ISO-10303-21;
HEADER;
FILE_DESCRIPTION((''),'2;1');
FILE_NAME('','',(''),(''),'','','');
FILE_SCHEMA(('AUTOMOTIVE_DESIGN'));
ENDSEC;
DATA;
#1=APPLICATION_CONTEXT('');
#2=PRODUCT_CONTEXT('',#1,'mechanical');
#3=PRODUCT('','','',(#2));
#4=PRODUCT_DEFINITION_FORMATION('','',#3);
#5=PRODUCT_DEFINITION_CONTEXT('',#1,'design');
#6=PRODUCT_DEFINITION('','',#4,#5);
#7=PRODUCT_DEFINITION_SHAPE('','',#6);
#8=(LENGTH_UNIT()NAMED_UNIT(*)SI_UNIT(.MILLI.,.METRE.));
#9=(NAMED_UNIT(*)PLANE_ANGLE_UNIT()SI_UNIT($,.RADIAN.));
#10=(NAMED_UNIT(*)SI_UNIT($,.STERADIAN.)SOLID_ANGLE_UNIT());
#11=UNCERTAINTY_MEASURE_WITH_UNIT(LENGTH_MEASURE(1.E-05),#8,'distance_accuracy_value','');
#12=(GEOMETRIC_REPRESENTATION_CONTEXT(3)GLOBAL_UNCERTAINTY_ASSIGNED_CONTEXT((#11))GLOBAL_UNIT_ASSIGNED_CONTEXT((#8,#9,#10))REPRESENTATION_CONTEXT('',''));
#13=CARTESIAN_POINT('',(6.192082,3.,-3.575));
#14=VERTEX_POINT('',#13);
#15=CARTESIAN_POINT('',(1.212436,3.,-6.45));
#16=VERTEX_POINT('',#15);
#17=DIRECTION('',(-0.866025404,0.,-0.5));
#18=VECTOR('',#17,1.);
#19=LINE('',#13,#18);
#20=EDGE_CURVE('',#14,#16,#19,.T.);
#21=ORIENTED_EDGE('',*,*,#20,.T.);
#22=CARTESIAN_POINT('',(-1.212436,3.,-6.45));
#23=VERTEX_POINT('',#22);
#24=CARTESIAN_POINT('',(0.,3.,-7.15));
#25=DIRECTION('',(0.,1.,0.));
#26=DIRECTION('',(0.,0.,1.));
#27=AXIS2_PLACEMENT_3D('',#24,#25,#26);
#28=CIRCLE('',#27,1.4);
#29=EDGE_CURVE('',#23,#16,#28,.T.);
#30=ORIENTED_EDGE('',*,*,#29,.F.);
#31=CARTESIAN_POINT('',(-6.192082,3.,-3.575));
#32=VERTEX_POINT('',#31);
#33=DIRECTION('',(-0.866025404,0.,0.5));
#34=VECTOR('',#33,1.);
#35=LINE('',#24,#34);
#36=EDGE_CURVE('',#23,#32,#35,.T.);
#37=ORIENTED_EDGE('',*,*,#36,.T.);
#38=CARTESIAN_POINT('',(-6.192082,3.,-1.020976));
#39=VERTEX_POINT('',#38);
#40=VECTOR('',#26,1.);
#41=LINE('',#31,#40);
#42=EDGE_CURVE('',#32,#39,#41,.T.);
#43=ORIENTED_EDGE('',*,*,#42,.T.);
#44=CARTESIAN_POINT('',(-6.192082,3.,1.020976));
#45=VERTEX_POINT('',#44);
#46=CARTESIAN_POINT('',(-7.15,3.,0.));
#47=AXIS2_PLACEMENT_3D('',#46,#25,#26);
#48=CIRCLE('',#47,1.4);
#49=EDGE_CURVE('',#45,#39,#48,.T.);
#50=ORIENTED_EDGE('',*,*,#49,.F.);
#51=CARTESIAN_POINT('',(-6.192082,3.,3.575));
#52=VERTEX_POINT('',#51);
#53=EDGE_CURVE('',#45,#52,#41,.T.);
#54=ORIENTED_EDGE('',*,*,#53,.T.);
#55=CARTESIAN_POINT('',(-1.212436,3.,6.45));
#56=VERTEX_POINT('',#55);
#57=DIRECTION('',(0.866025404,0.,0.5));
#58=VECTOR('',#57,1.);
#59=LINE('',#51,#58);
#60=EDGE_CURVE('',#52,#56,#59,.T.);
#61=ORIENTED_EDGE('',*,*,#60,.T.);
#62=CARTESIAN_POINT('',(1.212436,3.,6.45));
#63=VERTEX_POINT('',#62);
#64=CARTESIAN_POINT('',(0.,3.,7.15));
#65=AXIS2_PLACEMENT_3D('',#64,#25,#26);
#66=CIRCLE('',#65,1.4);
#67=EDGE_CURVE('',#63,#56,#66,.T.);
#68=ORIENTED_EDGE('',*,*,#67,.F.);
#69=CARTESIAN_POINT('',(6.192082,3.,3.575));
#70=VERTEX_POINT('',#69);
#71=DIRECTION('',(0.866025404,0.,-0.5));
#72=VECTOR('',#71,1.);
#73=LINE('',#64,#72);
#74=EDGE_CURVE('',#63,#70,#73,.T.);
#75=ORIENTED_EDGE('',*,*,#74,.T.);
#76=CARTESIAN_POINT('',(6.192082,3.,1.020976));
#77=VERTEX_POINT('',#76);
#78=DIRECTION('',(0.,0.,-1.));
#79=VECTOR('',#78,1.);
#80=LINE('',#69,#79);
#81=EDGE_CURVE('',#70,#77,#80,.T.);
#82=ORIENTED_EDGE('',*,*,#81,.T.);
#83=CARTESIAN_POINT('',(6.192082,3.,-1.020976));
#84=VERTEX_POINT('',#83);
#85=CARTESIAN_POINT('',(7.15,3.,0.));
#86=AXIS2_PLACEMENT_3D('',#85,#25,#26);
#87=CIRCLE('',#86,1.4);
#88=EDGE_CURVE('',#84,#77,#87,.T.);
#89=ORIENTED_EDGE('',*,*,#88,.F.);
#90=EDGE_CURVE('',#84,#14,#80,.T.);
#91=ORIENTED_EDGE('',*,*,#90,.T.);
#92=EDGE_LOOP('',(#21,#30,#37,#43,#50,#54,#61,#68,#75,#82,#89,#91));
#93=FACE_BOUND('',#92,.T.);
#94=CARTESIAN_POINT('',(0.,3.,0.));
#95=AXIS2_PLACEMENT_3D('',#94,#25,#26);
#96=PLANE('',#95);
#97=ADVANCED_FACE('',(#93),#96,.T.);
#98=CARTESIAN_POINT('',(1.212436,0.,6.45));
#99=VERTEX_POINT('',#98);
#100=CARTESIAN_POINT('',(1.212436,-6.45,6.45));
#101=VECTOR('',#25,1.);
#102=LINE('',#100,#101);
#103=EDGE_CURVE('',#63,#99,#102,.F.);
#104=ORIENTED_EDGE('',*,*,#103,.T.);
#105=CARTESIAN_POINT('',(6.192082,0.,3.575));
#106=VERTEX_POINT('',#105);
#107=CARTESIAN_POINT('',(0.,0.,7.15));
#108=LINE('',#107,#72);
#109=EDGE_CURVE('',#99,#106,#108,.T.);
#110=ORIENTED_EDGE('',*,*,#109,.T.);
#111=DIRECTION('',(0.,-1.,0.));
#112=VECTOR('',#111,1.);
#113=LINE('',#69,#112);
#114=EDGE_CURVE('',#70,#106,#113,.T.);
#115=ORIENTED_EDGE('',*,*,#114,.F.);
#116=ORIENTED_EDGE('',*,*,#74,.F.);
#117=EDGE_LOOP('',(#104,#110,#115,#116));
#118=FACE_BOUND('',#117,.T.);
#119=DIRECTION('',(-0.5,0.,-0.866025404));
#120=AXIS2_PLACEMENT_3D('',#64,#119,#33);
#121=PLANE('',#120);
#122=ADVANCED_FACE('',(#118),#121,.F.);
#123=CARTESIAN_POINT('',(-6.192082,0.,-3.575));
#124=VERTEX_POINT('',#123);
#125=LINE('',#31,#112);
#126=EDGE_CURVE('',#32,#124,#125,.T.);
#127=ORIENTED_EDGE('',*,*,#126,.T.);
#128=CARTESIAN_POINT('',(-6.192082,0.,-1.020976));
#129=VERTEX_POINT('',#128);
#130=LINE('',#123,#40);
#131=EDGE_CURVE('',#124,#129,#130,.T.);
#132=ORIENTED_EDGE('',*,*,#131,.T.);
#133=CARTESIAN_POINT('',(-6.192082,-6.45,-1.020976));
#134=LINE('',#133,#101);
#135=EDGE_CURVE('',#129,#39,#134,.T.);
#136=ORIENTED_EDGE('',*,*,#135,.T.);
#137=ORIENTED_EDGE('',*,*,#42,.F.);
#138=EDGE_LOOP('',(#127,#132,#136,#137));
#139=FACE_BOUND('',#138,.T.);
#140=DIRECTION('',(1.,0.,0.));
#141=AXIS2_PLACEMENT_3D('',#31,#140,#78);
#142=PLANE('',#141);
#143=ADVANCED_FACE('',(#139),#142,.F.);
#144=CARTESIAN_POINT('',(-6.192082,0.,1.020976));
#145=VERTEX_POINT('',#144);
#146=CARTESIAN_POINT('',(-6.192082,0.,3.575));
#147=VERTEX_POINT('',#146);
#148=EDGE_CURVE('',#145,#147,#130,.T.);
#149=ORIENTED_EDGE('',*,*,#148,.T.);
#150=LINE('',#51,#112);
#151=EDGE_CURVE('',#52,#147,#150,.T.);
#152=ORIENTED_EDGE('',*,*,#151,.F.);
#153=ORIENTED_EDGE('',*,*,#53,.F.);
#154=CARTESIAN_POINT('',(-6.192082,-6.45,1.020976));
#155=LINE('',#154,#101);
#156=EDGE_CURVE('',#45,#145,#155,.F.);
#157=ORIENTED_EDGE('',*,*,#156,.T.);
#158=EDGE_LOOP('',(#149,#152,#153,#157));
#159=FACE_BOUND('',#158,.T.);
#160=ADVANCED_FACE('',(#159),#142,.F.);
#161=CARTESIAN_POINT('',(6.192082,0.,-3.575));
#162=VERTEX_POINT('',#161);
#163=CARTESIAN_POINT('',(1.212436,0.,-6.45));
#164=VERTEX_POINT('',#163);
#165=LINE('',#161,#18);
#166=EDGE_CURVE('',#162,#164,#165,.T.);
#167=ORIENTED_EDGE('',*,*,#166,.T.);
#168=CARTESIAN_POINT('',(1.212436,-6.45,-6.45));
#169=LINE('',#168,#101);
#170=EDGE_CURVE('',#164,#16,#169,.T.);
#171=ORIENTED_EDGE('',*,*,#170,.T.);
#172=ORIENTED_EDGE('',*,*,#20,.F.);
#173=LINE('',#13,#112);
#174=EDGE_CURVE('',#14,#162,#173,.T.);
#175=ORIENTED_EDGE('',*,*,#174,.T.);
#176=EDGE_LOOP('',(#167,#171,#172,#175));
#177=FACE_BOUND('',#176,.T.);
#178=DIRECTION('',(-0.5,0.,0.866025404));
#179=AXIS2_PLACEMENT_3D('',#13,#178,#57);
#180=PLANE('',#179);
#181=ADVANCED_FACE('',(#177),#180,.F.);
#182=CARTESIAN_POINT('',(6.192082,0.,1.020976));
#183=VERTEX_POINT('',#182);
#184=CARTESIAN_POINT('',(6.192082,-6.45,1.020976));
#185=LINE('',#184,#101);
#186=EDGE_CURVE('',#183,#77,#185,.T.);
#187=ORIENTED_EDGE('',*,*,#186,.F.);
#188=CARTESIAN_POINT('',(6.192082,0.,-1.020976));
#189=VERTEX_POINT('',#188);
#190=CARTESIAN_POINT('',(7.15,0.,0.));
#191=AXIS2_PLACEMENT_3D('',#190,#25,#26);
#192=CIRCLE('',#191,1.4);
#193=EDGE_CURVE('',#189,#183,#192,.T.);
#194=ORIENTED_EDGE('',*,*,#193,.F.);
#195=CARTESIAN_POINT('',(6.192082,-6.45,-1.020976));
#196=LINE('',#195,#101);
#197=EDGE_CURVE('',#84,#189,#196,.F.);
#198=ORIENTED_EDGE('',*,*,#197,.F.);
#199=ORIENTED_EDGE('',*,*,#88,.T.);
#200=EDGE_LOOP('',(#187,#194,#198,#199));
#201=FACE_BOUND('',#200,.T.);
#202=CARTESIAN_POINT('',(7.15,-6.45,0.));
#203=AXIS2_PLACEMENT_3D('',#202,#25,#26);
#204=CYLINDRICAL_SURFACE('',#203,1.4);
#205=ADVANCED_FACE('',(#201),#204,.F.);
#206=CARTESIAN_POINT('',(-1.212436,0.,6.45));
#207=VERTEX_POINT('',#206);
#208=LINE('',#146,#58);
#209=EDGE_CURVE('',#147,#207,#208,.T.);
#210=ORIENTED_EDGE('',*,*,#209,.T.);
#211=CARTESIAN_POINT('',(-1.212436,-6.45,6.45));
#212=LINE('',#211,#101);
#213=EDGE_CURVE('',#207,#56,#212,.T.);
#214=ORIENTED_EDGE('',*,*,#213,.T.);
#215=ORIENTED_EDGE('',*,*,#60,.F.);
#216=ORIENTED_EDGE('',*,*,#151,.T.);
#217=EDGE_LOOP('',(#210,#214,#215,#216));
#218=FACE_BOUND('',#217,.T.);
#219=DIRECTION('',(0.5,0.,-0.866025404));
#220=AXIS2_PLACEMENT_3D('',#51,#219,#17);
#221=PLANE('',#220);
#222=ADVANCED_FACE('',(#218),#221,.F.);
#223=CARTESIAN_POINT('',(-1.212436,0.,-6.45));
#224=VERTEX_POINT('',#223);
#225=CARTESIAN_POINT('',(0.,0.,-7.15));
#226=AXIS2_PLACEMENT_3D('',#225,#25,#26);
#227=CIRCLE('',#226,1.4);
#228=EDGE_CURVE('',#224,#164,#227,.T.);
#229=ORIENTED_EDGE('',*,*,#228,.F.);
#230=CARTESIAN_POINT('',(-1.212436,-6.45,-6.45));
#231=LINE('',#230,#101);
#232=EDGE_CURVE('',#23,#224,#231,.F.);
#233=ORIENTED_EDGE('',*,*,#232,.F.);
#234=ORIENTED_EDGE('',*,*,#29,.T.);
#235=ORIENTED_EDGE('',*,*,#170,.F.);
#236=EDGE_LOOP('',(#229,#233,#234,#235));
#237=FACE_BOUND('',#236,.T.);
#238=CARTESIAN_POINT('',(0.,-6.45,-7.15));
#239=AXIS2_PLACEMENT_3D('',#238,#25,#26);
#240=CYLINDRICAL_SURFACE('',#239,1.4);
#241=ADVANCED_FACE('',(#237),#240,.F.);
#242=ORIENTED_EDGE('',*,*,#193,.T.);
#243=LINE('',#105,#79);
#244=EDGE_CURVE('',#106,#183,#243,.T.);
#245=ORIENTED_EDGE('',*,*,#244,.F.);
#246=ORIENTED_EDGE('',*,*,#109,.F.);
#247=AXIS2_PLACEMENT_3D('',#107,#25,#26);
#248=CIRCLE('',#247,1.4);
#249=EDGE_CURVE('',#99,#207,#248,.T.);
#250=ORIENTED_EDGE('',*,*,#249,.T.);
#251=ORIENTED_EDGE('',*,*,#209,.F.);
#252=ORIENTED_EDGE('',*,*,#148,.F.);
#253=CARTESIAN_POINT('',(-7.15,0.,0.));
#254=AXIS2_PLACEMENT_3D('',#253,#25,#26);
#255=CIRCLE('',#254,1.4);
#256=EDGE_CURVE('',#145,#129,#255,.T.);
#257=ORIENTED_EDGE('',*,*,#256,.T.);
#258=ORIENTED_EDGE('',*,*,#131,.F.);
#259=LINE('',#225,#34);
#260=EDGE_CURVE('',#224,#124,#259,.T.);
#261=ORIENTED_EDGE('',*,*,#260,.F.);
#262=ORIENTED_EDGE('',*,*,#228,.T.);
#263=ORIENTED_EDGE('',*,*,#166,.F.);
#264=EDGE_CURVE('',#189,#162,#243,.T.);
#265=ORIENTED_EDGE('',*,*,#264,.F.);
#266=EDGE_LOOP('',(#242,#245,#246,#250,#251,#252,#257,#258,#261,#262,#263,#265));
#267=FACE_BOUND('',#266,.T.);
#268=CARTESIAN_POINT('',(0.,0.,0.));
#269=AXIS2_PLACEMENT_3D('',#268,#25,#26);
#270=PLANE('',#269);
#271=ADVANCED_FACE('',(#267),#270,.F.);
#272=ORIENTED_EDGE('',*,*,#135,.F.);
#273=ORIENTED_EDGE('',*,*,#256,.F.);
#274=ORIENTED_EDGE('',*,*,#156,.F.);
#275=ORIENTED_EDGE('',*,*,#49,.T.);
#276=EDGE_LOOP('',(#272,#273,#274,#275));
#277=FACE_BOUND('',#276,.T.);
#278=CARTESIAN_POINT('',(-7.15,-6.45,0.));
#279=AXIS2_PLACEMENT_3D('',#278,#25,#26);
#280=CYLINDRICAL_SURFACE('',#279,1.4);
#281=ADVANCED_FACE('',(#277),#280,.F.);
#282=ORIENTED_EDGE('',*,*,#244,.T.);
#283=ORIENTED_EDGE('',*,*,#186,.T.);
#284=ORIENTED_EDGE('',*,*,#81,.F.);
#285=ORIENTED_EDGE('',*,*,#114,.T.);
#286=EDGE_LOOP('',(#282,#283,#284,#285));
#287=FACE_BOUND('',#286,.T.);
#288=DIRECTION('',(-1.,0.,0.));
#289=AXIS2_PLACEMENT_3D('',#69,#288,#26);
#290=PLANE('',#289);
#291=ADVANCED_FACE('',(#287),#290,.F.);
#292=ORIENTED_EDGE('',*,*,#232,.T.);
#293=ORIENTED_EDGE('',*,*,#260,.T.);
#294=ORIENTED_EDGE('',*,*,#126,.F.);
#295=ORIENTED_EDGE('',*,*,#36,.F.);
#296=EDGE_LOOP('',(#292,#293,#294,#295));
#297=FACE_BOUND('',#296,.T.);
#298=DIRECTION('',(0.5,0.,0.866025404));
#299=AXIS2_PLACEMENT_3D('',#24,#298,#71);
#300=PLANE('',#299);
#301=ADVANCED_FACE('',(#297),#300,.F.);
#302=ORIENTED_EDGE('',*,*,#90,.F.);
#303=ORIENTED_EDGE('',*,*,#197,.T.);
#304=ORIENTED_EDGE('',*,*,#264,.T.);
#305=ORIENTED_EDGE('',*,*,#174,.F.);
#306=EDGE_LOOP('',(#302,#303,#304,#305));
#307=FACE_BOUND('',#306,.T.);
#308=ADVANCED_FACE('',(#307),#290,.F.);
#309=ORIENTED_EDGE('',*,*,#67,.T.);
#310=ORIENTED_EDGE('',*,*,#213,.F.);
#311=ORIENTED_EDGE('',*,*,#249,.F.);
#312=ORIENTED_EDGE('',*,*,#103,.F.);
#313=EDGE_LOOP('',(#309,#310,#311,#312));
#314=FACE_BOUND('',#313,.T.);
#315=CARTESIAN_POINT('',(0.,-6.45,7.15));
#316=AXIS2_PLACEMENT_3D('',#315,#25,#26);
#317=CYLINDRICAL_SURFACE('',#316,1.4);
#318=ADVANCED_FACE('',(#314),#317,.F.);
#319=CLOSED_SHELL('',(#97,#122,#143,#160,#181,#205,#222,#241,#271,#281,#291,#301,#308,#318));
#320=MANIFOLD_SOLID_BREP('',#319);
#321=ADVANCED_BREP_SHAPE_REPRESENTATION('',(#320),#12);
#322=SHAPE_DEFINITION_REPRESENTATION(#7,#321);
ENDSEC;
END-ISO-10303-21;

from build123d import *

# Parameters (mm, degrees)
BOSS_EXTRUDE1_DEPTH = 3
SKETCH3_R           = 1.4
CUT_EXTRUDE1_DEPTH  = 9.45


with BuildPart() as part:
    # Sketch2 → Boss-Extrude1 (new body)
    with BuildSketch(Plane(origin=(0, 0, 0), x_dir=(1, 0, 0), z_dir=(0, 1, 0))):
        Polygon((0, 7.15), (-6.192081637, 3.575), (-6.192081637, -3.575), (0, -7.15), (6.192081637, -3.575), (6.192081637, 3.575), align=None)
    extrude(amount=BOSS_EXTRUDE1_DEPTH)

    # Sketch3 → Cut-Extrude1 (cut)
    with BuildSketch(Plane(origin=(0, 3, 0), x_dir=(1, 0, 0), z_dir=(0, 1, 0))):
        with Locations((0, 7.15)):
            Circle(SKETCH3_R)
        with Locations((7.15, 0)):
            Circle(SKETCH3_R)
        with Locations((0, -7.15)):
            Circle(SKETCH3_R)
        with Locations((-7.15, 0)):
            Circle(SKETCH3_R)
    extrude(amount=-CUT_EXTRUDE1_DEPTH, mode=Mode.SUBTRACT)


solid = part.part
